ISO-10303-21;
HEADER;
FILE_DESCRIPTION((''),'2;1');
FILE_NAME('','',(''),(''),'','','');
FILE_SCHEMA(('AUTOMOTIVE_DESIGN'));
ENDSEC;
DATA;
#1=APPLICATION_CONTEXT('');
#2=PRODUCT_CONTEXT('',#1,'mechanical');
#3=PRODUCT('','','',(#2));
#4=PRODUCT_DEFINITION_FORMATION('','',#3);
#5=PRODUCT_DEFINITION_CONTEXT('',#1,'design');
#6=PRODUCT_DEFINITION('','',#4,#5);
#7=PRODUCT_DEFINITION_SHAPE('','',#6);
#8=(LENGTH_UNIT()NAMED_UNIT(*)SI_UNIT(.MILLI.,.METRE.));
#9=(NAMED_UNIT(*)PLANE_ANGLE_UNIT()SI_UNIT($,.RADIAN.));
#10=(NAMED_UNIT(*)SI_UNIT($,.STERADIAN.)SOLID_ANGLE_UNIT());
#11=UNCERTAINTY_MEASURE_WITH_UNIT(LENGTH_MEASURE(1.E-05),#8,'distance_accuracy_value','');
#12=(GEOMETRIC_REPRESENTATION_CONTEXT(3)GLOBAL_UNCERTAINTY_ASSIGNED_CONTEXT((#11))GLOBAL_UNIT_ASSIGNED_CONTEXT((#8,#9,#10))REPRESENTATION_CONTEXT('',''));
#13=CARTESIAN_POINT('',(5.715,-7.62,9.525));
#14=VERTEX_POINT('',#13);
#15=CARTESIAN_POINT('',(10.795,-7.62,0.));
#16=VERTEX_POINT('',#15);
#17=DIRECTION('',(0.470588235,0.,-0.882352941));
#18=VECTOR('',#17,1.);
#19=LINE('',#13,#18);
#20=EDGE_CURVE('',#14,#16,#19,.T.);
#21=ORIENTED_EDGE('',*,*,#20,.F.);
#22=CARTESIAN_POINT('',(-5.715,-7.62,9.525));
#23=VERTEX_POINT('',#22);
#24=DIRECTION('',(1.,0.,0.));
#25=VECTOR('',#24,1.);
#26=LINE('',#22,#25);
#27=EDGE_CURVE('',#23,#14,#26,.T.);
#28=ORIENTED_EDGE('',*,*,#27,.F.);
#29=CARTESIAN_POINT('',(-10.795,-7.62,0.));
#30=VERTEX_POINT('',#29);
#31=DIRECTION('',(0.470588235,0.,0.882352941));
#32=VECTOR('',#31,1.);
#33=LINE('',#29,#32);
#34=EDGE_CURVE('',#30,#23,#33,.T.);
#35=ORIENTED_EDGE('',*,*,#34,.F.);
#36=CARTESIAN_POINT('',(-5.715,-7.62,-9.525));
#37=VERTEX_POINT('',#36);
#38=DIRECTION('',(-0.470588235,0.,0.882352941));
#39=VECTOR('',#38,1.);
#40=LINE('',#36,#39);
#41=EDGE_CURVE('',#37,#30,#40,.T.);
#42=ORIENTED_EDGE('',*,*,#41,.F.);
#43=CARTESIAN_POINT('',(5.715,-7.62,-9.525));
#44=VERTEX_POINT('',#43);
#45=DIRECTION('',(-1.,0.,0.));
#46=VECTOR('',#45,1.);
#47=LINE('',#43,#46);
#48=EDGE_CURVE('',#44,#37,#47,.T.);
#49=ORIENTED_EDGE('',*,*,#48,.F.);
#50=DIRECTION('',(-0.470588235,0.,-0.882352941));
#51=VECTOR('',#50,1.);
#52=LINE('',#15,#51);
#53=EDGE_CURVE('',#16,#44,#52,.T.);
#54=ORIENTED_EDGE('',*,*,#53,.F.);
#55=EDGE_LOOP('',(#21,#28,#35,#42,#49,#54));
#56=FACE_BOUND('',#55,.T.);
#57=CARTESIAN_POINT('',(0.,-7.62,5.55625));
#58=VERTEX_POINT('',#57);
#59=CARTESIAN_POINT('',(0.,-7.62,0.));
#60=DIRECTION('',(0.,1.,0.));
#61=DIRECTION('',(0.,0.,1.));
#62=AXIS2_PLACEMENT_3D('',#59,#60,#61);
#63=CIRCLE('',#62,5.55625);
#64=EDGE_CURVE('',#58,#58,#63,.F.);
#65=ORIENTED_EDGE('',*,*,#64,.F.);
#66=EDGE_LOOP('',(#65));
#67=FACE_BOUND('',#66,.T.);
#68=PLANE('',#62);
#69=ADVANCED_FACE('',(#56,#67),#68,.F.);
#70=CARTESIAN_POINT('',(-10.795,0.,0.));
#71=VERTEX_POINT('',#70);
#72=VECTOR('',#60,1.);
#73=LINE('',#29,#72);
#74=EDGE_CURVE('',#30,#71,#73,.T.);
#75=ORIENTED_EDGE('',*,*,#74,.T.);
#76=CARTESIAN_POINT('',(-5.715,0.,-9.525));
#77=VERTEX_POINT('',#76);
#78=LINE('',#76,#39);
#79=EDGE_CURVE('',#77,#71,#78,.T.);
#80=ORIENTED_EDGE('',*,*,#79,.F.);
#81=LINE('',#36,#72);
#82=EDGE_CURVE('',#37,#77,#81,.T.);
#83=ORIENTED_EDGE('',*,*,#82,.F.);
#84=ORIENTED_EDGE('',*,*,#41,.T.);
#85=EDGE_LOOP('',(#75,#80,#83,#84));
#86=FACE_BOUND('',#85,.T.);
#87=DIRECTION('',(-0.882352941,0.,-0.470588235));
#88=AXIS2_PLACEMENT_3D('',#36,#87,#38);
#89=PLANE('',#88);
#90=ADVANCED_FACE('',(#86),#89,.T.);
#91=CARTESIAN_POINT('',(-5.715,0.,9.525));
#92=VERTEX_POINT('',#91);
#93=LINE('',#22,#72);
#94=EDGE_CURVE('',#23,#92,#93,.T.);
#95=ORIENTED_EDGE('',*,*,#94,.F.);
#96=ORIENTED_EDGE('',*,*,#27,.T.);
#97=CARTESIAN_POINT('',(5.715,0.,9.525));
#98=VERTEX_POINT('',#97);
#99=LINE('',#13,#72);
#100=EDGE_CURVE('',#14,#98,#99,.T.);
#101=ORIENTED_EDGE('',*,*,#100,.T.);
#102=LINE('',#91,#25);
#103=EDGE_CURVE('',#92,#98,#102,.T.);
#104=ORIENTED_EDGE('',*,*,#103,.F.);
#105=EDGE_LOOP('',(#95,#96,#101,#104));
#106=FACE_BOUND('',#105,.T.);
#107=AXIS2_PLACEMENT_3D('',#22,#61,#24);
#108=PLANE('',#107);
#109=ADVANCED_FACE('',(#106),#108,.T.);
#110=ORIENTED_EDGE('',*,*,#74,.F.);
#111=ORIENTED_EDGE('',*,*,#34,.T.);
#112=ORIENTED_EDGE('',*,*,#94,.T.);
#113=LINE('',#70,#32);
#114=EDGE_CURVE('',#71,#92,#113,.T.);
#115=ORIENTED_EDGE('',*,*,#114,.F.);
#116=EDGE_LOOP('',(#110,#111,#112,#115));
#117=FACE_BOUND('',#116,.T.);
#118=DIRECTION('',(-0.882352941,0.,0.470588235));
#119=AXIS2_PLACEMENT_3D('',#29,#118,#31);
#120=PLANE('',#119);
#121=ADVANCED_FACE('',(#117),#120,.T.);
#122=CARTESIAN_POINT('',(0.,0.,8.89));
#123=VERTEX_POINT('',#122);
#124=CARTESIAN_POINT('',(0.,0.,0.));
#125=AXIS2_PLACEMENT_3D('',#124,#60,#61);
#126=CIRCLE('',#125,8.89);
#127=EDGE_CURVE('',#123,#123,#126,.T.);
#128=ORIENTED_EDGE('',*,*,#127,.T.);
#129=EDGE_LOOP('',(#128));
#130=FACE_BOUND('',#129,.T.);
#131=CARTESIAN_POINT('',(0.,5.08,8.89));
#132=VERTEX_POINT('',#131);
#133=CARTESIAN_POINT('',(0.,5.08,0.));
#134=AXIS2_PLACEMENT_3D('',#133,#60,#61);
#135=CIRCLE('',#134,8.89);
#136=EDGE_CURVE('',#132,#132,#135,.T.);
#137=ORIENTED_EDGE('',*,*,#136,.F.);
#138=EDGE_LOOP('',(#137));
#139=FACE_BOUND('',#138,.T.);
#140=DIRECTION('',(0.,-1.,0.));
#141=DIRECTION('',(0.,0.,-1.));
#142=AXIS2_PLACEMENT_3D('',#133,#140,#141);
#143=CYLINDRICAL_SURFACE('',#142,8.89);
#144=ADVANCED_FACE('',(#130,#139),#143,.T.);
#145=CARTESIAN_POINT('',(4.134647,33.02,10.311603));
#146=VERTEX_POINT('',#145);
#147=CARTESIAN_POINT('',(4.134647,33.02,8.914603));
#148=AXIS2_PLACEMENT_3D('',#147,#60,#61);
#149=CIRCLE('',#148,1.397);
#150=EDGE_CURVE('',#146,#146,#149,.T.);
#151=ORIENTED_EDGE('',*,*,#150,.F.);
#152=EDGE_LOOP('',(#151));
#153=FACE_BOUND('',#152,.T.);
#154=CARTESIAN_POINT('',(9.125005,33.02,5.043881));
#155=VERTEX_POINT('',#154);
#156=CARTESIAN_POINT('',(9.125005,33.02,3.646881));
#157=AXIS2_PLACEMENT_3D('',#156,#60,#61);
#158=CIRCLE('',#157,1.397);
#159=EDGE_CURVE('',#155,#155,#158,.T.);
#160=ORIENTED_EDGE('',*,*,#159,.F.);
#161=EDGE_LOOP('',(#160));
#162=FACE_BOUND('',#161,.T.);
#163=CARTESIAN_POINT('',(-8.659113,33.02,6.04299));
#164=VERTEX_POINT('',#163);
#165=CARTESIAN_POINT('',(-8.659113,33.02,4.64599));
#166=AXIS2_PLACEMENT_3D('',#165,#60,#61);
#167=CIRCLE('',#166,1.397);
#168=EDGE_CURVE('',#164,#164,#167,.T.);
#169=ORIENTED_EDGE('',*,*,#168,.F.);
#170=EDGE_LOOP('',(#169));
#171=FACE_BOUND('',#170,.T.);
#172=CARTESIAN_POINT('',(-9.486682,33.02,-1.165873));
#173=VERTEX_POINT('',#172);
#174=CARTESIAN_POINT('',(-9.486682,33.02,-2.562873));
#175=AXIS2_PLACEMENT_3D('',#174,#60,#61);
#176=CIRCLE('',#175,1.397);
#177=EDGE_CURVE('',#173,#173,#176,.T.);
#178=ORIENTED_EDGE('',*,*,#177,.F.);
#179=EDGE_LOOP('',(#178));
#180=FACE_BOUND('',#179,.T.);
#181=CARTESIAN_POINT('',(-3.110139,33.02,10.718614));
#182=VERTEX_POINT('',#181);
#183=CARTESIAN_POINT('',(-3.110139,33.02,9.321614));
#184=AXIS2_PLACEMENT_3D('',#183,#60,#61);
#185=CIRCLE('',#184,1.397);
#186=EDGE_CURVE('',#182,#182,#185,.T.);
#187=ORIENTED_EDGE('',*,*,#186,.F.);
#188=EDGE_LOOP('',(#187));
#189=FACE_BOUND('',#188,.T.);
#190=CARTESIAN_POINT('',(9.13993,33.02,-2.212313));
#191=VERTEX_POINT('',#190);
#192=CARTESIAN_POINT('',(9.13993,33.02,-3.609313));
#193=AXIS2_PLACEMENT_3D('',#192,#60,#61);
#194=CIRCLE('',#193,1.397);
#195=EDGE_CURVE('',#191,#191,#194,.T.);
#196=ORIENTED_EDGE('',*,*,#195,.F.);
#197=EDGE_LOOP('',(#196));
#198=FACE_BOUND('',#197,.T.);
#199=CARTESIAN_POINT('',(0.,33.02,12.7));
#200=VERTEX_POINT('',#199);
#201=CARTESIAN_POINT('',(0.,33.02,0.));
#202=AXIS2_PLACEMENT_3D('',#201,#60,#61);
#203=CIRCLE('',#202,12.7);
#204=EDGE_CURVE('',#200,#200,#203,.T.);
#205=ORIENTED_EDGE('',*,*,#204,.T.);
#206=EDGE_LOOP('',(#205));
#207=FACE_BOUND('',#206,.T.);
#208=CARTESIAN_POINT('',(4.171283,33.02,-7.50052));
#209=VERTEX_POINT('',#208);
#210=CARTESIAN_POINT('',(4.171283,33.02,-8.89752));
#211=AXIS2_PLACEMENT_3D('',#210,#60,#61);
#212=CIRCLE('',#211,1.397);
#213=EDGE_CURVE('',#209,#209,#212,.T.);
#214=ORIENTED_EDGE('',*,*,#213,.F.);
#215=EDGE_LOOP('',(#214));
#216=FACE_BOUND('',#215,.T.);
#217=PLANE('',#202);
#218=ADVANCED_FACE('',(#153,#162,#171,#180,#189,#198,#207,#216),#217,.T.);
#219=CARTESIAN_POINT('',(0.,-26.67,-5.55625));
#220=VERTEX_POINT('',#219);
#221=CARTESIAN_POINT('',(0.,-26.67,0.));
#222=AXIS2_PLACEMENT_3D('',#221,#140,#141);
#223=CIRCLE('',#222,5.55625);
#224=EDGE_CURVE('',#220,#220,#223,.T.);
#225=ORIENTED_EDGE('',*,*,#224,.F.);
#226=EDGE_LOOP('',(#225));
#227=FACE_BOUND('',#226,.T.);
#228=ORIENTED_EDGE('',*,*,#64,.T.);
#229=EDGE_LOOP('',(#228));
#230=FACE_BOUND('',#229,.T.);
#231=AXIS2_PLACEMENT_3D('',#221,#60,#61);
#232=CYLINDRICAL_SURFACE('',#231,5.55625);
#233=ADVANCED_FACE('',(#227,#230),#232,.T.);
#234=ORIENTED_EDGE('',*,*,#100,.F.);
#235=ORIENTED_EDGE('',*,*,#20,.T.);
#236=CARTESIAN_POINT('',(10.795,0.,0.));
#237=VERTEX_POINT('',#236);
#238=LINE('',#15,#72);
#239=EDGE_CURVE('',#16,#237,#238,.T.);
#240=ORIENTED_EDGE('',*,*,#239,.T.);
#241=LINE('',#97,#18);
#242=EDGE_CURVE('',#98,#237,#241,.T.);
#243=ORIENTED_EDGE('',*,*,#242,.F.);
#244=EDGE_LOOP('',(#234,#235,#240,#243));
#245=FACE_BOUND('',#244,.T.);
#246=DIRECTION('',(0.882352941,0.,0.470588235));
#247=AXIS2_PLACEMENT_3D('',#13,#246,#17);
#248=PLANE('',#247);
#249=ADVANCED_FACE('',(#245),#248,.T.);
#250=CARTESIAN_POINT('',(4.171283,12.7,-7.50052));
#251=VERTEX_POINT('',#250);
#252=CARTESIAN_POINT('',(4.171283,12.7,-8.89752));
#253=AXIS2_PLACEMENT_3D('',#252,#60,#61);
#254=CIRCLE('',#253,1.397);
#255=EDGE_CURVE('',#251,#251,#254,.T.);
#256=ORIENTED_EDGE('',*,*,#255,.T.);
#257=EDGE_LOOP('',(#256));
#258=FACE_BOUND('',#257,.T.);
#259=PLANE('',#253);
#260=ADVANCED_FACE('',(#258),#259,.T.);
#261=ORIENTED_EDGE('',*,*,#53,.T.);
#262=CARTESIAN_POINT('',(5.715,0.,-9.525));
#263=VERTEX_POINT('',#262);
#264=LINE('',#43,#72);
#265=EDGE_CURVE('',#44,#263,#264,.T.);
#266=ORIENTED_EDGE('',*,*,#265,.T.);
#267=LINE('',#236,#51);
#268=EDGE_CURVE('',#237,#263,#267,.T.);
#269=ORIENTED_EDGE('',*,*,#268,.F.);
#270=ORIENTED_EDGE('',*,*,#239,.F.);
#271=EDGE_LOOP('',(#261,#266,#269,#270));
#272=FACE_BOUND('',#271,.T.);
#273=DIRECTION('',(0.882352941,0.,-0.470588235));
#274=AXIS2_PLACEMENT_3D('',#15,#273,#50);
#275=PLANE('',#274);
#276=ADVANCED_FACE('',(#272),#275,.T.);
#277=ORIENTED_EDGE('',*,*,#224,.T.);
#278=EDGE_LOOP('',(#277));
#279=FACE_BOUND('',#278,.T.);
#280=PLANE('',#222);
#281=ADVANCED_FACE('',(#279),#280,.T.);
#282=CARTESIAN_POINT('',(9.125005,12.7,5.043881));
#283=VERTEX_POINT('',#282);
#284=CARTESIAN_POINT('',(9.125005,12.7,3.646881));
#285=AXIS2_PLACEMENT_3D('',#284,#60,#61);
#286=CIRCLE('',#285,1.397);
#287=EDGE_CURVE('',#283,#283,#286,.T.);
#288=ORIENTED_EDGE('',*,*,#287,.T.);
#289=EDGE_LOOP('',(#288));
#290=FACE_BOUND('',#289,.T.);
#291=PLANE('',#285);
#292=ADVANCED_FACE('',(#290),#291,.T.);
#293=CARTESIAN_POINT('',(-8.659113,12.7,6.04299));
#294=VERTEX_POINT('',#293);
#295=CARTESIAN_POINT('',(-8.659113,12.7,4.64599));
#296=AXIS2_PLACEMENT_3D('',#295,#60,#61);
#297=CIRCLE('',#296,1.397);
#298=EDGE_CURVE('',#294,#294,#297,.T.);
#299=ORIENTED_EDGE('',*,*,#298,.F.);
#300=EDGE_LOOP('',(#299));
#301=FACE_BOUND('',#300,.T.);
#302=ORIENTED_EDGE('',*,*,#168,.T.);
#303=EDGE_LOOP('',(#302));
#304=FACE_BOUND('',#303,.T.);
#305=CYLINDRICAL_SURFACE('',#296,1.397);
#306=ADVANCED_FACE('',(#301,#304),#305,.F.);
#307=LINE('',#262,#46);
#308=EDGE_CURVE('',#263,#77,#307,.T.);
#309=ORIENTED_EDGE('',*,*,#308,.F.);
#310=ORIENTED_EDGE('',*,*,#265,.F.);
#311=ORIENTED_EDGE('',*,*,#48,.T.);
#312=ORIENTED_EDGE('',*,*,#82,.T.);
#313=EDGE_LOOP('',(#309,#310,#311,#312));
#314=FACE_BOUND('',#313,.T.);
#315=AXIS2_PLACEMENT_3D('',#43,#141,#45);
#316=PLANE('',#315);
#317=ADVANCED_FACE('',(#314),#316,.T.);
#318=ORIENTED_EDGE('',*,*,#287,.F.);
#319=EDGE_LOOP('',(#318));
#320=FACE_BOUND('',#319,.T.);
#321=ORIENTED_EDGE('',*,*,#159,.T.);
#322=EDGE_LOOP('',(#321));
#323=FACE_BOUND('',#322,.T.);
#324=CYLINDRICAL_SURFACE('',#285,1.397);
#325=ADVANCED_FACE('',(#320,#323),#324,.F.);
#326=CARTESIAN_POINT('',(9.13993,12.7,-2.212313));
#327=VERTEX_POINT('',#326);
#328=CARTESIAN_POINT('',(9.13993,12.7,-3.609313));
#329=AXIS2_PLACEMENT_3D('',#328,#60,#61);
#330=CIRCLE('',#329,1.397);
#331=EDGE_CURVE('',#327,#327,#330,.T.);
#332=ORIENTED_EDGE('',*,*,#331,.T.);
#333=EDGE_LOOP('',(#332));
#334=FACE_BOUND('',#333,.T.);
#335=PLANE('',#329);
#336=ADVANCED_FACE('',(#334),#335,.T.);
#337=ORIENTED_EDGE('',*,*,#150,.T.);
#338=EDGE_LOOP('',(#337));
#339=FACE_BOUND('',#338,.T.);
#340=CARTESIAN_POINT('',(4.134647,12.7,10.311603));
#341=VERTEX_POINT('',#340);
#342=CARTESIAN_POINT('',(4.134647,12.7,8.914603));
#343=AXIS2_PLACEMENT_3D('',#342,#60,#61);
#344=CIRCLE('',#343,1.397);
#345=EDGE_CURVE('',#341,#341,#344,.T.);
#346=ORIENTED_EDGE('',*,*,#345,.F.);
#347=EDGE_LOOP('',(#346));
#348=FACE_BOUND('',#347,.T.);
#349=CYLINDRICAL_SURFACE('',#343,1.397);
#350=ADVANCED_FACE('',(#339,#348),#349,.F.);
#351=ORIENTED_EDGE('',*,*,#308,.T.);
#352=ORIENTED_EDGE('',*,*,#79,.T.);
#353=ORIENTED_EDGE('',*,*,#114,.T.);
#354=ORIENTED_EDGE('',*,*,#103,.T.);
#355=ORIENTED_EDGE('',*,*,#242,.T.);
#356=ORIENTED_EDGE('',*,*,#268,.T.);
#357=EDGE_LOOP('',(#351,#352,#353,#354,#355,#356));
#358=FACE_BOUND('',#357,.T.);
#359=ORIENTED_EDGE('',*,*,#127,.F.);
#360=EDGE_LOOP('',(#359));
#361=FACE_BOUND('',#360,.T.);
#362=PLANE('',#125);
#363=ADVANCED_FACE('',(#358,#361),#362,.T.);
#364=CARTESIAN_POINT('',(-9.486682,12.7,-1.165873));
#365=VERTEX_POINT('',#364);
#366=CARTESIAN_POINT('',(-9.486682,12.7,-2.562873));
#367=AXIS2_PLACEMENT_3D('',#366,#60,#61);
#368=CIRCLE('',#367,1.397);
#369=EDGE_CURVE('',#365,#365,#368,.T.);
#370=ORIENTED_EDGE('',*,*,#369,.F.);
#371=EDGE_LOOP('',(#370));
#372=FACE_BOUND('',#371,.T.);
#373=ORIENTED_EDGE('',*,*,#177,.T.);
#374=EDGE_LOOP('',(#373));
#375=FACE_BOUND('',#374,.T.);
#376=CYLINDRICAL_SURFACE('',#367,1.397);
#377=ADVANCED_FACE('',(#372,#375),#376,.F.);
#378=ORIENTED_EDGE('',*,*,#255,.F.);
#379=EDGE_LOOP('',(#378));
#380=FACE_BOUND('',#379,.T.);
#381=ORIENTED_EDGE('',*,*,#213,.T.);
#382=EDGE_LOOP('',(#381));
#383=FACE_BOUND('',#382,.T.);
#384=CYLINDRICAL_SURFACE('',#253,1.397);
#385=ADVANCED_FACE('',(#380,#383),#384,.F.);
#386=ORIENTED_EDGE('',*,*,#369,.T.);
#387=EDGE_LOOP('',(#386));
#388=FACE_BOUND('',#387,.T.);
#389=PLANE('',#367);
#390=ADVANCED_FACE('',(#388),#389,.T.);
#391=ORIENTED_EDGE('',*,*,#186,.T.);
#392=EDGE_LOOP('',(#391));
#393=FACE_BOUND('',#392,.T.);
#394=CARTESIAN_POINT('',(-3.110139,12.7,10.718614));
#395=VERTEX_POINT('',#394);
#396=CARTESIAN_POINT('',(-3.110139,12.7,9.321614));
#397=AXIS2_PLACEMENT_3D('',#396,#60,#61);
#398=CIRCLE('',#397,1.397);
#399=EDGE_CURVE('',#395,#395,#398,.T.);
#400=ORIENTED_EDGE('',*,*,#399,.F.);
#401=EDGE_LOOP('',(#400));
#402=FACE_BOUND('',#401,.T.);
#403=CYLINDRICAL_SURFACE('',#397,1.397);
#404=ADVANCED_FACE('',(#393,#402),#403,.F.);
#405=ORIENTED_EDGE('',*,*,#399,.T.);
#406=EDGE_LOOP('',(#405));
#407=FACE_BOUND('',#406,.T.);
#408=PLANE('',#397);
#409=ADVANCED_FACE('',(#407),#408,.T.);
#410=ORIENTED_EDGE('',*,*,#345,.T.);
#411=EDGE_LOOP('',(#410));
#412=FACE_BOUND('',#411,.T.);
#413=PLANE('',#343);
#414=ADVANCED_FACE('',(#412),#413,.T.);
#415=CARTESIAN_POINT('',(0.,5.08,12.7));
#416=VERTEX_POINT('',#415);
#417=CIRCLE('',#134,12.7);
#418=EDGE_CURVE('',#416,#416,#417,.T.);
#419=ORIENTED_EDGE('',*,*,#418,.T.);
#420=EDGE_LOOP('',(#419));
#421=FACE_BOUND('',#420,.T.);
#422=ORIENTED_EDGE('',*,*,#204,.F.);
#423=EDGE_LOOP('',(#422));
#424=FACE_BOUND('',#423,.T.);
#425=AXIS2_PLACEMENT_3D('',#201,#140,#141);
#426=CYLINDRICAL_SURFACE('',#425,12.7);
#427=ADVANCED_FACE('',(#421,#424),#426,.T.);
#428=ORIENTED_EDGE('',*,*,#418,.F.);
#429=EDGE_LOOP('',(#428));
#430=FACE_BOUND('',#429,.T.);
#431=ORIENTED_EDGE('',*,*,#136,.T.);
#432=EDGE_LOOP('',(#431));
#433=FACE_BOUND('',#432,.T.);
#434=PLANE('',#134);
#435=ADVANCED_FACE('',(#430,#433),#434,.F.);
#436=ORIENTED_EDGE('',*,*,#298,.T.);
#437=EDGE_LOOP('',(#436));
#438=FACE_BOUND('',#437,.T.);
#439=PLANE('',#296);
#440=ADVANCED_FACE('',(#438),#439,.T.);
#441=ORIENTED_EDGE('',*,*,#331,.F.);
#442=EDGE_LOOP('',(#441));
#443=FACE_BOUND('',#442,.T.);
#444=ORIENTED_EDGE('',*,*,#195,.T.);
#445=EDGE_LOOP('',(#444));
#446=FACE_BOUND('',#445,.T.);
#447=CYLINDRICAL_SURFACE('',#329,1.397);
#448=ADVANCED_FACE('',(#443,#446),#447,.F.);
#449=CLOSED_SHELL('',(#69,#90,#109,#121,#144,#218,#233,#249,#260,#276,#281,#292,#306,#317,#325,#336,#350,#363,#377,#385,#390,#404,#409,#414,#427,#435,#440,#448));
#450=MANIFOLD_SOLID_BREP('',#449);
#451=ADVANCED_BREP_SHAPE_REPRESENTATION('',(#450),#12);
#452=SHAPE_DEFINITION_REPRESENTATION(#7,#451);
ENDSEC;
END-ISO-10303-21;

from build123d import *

# Parameters (mm, degrees)
SKETCH1_R           = 8.89
BOSS_EXTRUDE1_DEPTH = 5.08
BOSS_EXTRUDE2_DEPTH = 7.62
SKETCH3_R           = 5.55625
BOSS_EXTRUDE3_DEPTH = 19.05
SKETCH4_R           = 12.7
BOSS_EXTRUDE4_DEPTH = 27.94
SKETCH5_R           = 1.397
CUT_EXTRUDE1_DEPTH  = 20.32


with BuildPart() as part:
    # Sketch1 → Boss-Extrude1 (new body)
    with BuildSketch(Plane(origin=(0, 0, 0), x_dir=(1, 0, 0), z_dir=(0, 1, 0))):
        Circle(SKETCH1_R)
    extrude(amount=BOSS_EXTRUDE1_DEPTH)

    # Sketch2 → Boss-Extrude2 (add)
    with BuildSketch(Plane.XZ):
        Polygon((-5.715, 9.525), (5.715, 9.525), (10.795, 0), (5.715, -9.525), (-5.715, -9.525), (-10.795, 0), align=None)
    extrude(amount=BOSS_EXTRUDE2_DEPTH)

    # Sketch3 → Boss-Extrude3 (add)
    with BuildSketch(Plane(origin=(0, -7.62, 0), x_dir=(-1, 0, 0), z_dir=(0, -1, 0))):
        Circle(SKETCH3_R)
    extrude(amount=BOSS_EXTRUDE3_DEPTH)

    # Sketch4 → Boss-Extrude4 (add)
    with BuildSketch(Plane(origin=(0, 5.08, 0), x_dir=(1, 0, 0), z_dir=(0, 1, 0))):
        Circle(SKETCH4_R)
    extrude(amount=BOSS_EXTRUDE4_DEPTH)

    # Sketch5 → Cut-Extrude1 (cut)
    with BuildSketch(Plane(origin=(0, 33.02, 0), x_dir=(1, 0, 0), z_dir=(0, 1, 0))):
        with Locations((4.171282729, 8.897519777)):
            Circle(SKETCH5_R)
        with Locations((9.139929654, 3.609313469)):
            Circle(SKETCH5_R)
        with Locations((9.125005102, -3.646880814)):
            Circle(SKETCH5_R)
        with Locations((4.134646728, -8.914603425)):
            Circle(SKETCH5_R)
        with Locations((-3.110139008, -9.321614299)):
            Circle(SKETCH5_R)
        with Locations((-8.659113, -4.645989651)):
            Circle(SKETCH5_R)
        with Locations((-9.486682104, 2.562873477)):
            Circle(SKETCH5_R)
    extrude(amount=-CUT_EXTRUDE1_DEPTH, mode=Mode.SUBTRACT)


solid = part.part
